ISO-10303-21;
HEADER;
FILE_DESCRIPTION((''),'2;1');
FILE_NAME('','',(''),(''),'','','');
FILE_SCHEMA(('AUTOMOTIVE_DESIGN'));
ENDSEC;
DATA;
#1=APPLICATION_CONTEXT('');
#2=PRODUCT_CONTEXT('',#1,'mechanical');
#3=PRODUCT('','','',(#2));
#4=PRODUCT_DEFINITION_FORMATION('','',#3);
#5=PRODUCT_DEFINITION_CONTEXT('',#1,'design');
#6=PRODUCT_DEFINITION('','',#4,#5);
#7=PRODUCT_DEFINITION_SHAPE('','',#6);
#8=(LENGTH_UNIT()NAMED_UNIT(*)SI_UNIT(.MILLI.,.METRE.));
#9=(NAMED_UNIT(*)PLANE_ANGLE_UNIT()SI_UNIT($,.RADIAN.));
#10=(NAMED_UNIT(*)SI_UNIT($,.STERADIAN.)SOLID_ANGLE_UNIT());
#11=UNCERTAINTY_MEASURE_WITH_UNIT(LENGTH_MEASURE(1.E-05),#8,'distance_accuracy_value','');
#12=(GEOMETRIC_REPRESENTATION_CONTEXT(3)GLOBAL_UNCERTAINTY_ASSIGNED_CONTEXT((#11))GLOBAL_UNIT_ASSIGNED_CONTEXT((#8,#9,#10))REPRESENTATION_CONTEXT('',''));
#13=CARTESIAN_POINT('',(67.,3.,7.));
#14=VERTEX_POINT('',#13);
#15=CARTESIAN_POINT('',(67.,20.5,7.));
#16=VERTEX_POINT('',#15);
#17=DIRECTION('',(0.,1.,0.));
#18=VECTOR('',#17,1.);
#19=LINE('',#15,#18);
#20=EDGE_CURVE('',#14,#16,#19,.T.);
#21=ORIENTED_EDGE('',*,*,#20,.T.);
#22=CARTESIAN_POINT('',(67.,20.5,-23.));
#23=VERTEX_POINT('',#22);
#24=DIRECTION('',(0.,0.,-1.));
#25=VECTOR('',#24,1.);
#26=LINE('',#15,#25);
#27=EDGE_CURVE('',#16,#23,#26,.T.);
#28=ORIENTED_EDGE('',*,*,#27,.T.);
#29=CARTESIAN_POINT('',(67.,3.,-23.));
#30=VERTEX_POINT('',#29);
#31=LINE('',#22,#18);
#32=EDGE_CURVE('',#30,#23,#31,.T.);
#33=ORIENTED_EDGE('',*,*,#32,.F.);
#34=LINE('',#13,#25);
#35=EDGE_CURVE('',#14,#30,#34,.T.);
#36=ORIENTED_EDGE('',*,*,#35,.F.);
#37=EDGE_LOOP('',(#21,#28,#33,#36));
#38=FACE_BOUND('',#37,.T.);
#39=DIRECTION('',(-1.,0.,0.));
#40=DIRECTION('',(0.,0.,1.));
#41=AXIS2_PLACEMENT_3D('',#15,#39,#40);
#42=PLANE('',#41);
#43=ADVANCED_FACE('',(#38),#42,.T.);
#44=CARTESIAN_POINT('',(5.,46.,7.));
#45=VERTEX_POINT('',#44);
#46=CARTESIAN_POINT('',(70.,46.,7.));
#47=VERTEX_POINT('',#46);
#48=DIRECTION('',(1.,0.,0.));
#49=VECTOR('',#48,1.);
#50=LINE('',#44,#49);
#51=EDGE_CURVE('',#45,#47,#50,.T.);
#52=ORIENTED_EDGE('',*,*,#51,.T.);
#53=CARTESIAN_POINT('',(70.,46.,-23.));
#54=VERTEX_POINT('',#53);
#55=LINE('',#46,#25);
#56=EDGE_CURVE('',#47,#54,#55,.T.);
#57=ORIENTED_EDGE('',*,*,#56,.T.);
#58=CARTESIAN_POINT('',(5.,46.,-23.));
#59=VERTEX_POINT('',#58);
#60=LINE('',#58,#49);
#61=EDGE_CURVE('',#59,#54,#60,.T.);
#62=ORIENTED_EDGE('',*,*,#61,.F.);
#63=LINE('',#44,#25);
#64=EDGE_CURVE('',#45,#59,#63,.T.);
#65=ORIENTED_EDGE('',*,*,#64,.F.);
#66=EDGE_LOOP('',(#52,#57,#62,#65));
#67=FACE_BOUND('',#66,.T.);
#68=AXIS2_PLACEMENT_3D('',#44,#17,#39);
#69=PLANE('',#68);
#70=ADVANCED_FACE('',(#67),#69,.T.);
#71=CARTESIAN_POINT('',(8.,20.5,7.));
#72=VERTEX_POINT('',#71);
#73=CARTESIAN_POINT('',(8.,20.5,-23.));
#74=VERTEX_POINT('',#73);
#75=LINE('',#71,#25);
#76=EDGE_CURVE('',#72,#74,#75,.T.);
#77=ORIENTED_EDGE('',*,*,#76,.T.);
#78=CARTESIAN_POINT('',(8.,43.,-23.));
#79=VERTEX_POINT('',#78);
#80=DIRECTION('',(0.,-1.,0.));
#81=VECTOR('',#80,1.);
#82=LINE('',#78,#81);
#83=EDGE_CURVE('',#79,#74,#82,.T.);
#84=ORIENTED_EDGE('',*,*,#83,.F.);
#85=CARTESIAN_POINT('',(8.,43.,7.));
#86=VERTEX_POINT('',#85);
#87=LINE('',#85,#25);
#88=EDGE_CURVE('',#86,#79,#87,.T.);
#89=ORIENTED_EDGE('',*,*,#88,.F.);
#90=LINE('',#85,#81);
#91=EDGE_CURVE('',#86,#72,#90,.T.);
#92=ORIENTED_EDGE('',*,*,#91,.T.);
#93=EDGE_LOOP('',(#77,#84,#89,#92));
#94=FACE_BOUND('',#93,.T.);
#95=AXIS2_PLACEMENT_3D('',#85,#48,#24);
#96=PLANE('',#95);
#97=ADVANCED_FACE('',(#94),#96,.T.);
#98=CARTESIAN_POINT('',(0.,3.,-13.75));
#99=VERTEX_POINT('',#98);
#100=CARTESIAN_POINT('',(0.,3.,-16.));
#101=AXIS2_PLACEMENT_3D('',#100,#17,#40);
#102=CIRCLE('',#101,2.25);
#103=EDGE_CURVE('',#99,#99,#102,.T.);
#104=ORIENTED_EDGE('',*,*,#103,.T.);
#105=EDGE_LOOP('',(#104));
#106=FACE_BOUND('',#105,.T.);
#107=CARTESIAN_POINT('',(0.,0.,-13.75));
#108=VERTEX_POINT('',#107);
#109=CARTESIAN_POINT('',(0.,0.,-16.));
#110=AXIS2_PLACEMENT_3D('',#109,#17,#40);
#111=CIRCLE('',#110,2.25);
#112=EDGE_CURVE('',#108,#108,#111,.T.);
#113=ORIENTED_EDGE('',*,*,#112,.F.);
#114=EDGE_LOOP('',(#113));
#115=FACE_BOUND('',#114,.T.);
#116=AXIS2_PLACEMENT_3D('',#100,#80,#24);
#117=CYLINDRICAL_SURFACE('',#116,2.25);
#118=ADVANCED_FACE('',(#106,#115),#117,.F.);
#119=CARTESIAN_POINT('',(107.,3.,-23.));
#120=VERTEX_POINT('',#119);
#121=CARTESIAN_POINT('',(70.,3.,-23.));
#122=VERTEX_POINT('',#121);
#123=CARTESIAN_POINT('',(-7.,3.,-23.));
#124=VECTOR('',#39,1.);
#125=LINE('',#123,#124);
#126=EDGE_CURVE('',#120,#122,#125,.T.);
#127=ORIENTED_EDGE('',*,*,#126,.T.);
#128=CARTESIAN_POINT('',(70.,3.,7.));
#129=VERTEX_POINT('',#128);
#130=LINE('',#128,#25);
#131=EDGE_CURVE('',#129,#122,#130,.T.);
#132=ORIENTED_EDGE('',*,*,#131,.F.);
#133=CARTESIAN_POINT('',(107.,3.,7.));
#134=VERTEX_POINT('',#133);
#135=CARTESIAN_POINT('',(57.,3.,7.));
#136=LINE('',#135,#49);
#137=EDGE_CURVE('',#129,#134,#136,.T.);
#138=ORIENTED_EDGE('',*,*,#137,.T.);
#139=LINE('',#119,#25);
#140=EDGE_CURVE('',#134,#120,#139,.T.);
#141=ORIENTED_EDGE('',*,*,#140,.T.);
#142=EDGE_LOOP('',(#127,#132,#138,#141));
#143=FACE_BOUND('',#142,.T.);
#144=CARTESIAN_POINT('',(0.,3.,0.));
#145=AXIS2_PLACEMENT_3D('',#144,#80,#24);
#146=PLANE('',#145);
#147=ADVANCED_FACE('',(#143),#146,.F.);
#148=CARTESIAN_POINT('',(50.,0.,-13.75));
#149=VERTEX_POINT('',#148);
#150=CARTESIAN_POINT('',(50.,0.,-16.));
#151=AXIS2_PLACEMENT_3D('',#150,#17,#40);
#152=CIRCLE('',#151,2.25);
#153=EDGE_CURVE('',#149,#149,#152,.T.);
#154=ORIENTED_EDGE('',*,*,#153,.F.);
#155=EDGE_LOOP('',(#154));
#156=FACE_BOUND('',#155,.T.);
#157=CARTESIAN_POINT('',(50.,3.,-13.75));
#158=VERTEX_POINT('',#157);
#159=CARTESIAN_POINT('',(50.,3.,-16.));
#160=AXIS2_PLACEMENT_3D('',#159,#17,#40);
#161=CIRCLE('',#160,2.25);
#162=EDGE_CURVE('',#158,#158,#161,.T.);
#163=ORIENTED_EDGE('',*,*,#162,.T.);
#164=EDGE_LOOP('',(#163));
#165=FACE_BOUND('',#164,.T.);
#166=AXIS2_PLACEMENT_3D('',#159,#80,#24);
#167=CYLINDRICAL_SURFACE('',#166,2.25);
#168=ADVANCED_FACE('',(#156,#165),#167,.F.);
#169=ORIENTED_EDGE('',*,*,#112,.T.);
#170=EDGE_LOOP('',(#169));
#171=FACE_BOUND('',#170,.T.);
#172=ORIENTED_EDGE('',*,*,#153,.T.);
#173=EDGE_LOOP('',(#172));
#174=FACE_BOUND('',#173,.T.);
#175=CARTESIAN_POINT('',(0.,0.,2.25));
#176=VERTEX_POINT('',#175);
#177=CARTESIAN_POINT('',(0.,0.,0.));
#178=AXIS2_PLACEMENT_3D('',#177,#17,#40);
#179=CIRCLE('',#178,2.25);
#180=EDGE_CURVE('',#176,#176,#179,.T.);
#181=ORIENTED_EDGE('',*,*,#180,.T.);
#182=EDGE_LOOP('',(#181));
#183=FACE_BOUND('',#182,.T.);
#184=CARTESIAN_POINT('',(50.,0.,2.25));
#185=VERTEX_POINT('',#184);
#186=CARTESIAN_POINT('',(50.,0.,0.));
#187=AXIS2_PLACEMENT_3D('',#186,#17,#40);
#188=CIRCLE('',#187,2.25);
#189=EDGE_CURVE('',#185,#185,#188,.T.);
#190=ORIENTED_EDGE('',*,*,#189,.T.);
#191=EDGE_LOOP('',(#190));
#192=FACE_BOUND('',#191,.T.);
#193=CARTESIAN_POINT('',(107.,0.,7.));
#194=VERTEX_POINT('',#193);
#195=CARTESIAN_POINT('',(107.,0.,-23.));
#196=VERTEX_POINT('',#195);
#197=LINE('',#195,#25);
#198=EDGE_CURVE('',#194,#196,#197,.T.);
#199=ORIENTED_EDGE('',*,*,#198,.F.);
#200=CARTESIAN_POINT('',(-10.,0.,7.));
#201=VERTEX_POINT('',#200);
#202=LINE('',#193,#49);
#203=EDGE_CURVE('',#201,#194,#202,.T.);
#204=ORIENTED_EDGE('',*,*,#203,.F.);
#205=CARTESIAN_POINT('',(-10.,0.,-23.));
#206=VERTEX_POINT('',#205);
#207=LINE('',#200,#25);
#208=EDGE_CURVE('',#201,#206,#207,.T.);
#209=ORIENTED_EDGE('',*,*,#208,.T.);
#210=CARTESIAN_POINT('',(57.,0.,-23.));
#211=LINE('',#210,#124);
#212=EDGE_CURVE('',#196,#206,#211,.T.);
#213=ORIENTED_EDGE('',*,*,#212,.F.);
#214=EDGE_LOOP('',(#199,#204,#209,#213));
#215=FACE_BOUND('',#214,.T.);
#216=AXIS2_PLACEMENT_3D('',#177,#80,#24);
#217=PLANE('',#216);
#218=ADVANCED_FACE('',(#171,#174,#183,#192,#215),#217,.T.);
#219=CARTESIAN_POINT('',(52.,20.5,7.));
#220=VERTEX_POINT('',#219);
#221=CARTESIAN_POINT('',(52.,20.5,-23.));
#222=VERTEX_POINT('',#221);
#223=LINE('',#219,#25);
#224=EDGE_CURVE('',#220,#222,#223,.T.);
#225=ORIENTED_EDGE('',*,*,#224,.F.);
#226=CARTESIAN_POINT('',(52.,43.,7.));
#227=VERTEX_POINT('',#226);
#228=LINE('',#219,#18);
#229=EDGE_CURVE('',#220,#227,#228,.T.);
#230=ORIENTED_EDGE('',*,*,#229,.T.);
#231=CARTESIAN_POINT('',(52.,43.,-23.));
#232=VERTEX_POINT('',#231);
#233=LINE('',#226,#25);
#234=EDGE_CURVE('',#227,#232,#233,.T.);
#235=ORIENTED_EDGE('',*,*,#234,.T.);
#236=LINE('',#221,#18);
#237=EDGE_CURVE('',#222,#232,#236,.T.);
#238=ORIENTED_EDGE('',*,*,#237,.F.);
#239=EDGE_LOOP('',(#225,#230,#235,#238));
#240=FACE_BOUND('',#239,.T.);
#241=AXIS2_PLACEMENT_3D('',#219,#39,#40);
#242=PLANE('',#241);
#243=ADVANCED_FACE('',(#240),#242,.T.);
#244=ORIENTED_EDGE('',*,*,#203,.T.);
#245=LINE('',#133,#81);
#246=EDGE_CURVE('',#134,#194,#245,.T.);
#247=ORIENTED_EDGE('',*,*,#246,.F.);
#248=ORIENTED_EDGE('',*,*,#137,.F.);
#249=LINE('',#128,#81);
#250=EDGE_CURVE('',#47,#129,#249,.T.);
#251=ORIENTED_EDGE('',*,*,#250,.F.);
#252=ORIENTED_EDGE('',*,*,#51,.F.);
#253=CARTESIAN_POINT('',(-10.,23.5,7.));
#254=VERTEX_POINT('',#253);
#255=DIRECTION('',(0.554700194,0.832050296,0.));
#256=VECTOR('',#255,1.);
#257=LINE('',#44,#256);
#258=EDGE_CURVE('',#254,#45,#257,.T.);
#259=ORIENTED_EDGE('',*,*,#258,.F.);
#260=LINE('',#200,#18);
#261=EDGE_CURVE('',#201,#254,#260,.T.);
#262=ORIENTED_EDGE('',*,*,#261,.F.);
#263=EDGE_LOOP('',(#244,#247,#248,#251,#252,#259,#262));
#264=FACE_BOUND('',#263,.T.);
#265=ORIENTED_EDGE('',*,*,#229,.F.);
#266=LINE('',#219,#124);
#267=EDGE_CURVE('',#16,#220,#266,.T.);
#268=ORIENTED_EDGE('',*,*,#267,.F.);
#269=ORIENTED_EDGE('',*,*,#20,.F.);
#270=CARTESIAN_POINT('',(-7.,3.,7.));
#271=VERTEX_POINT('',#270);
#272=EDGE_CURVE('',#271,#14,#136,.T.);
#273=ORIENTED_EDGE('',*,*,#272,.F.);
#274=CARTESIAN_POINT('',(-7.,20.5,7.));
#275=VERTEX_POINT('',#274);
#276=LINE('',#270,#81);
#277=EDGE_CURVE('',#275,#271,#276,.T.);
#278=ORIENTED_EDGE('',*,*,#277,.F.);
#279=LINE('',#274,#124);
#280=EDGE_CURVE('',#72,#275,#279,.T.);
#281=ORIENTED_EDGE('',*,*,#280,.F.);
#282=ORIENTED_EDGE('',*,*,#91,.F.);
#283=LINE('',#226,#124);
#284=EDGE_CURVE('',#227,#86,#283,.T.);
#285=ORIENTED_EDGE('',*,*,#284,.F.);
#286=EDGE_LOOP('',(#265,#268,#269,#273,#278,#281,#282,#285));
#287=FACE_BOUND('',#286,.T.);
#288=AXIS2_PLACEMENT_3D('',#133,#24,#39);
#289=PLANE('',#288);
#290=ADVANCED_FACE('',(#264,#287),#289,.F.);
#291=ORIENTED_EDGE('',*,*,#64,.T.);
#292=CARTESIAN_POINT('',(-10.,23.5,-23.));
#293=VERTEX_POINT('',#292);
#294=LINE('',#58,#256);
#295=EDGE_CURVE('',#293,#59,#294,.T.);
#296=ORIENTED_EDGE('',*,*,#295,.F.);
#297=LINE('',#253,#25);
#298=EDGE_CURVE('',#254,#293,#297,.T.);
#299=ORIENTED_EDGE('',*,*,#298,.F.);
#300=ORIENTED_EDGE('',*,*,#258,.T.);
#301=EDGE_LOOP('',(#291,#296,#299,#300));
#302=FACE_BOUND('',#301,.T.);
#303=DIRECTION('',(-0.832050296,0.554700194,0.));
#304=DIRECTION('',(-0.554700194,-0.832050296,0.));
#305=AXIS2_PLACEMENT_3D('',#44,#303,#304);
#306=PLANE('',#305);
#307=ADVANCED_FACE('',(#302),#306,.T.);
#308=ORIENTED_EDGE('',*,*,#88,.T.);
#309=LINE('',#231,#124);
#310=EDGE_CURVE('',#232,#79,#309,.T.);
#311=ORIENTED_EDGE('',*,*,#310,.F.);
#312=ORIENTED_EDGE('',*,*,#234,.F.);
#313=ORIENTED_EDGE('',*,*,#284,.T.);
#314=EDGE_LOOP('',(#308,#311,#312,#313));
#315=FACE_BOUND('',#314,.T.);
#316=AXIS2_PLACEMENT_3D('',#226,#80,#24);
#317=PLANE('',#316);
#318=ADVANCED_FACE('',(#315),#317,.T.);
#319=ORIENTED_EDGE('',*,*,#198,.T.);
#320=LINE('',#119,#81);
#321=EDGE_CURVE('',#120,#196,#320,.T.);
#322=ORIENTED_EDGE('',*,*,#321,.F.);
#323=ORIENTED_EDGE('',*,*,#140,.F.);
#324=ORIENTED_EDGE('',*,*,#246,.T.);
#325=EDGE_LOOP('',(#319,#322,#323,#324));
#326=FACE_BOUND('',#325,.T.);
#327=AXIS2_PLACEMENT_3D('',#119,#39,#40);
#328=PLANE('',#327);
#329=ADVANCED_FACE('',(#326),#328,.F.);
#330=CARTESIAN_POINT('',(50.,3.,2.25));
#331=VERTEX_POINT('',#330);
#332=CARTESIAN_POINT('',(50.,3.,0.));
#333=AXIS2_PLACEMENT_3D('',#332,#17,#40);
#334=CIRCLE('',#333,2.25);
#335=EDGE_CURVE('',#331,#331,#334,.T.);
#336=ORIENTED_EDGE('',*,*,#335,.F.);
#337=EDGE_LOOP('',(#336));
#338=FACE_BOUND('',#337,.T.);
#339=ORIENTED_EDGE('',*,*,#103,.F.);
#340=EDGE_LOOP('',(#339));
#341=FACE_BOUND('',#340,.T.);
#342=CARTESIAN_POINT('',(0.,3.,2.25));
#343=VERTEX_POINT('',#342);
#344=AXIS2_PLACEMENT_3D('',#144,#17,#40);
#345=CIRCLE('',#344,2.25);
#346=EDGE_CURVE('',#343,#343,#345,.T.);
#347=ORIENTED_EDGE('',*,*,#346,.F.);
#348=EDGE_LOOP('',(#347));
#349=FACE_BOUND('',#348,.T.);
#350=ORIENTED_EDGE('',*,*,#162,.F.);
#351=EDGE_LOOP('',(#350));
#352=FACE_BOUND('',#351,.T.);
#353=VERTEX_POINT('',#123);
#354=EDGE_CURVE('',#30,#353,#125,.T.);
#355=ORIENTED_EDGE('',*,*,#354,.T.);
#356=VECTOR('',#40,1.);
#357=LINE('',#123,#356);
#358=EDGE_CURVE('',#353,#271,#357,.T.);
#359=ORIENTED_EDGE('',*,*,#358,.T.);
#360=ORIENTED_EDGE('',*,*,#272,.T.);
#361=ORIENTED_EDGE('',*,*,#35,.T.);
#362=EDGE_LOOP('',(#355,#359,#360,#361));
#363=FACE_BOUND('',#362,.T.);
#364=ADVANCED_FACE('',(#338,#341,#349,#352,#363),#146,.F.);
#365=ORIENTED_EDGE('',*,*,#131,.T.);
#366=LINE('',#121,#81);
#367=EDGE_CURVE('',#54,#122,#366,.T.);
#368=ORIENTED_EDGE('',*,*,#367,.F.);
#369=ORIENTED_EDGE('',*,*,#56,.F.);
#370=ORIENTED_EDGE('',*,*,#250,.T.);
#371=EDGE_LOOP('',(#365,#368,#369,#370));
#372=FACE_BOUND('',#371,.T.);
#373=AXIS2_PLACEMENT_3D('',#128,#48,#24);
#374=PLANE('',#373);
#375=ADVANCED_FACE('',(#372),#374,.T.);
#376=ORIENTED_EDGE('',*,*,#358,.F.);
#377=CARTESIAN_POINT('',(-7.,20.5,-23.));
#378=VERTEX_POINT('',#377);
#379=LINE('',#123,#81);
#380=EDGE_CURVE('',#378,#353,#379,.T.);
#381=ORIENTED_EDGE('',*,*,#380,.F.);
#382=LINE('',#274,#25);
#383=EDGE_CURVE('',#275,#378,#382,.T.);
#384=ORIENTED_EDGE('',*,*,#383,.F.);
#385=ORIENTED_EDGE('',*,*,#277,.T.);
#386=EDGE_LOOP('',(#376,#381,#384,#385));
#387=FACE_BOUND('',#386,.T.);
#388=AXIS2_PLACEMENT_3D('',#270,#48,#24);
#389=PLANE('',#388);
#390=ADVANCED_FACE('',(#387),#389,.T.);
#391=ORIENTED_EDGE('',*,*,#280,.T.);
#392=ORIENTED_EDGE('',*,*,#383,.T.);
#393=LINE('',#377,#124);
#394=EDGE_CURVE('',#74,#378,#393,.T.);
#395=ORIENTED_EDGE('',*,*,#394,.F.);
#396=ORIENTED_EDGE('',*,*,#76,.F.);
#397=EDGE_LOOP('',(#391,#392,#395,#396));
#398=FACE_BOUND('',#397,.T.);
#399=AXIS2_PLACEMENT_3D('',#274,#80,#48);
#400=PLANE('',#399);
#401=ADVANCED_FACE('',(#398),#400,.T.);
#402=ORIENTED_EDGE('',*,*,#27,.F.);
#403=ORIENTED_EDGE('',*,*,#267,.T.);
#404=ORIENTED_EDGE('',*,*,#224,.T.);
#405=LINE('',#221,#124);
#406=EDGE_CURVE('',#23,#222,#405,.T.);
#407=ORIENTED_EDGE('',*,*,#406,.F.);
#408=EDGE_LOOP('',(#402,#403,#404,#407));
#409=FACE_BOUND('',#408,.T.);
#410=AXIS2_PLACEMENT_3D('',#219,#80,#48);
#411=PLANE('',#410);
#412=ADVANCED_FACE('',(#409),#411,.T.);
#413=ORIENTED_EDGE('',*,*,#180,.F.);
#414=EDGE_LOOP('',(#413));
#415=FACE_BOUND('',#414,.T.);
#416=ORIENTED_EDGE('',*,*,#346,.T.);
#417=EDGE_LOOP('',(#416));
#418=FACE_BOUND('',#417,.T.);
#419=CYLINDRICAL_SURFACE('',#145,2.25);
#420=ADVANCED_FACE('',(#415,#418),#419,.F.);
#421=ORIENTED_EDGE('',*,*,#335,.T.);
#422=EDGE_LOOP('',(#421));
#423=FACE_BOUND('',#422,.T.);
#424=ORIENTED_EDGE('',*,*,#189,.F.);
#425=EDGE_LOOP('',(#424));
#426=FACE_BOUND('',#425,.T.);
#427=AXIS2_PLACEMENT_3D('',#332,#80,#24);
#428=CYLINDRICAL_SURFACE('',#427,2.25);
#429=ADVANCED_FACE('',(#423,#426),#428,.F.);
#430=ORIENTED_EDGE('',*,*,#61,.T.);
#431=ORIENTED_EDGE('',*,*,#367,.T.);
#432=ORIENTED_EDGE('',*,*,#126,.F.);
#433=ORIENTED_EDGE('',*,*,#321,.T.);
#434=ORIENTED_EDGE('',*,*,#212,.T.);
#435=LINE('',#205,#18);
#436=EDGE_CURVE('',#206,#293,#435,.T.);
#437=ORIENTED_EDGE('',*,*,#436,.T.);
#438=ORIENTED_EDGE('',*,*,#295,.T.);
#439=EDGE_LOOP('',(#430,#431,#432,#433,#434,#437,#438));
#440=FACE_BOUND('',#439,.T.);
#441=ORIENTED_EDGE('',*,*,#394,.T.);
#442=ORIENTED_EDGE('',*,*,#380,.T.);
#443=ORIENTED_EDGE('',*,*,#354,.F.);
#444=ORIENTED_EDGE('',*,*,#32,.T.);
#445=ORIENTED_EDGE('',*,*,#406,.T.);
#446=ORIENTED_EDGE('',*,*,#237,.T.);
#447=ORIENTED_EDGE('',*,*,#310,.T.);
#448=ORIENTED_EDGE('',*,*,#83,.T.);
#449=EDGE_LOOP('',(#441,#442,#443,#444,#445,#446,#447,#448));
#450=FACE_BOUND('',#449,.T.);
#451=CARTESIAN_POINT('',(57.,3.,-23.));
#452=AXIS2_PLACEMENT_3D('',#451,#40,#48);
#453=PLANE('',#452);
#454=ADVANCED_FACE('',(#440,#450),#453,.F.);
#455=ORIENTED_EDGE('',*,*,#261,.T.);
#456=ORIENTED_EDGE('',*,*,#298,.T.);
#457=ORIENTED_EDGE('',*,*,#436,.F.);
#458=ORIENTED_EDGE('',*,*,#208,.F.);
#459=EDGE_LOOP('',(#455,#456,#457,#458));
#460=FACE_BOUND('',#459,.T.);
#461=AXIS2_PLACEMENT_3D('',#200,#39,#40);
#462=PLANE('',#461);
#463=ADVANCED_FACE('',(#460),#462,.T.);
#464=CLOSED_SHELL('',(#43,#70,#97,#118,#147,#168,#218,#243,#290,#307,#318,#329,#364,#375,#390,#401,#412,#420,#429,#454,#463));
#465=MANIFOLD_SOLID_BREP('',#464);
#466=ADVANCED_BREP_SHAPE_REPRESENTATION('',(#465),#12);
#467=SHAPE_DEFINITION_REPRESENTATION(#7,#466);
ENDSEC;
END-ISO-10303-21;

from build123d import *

# Parameters (mm, degrees)
SKETCH1_R           = 2.25
BOSS_EXTRUDE1_DEPTH = 3
BOSS_EXTRUDE2_DEPTH = 30
BOSS_EXTRUDE3_DEPTH = 30


with BuildPart() as part:
    # Sketch1 → Boss-Extrude1 (new body)
    with BuildSketch(Plane(origin=(0, 0, 0), x_dir=(1, 0, 0), z_dir=(0, 1, 0))):
        Polygon((-7, 23), (-7, -7), (57, -7), (107, -7), (107, 23), (57, 23), align=None)
        with Locations(Location((0, 0, 0), (0, 0, 270))):
            Circle(SKETCH1_R, mode=Mode.SUBTRACT)
        with Locations(Location((0, 16, 0), (0, 0, 270))):
            Circle(SKETCH1_R, mode=Mode.SUBTRACT)
        with Locations(Location((50, 0, 0), (0, 0, 270))):
            Circle(SKETCH1_R, mode=Mode.SUBTRACT)
        with Locations(Location((50, 16, 0), (0, 0, 270))):
            Circle(SKETCH1_R, mode=Mode.SUBTRACT)
    extrude(amount=BOSS_EXTRUDE1_DEPTH)

    # Sketch2 → Boss-Extrude2 (add)
    with BuildSketch(Plane(origin=(0, 0, -23), x_dir=(-1, 0, 0), z_dir=(0, 0, -1))):
        Polygon((7, 3), (7, 20.5), (-7.999999932, 20.5), (-7.999999932, 43.000000035), (-51.999999932, 43.000000035), (-51.999999932, 20.5), (-66.999999864, 20.5), (-66.999999864, 3), (-69.999999864, 3), (-69.999999864, 46.000000035), (-4.999999932, 46.000000035), (-4.999999932, 23.5), (10, 23.5), (10, 0), (7, 0), align=None)
    extrude(amount=-BOSS_EXTRUDE2_DEPTH)

    # Sketch3 → Boss-Extrude3 (add)
    with BuildSketch(Plane(origin=(0, 0, -23), x_dir=(-1, 0, 0), z_dir=(0, 0, -1))):
        Polygon((-4.999999932, 46.000000035), (10, 23.5), (-4.999999932, 23.5), align=None)
    extrude(amount=-BOSS_EXTRUDE3_DEPTH)


solid = part.part
